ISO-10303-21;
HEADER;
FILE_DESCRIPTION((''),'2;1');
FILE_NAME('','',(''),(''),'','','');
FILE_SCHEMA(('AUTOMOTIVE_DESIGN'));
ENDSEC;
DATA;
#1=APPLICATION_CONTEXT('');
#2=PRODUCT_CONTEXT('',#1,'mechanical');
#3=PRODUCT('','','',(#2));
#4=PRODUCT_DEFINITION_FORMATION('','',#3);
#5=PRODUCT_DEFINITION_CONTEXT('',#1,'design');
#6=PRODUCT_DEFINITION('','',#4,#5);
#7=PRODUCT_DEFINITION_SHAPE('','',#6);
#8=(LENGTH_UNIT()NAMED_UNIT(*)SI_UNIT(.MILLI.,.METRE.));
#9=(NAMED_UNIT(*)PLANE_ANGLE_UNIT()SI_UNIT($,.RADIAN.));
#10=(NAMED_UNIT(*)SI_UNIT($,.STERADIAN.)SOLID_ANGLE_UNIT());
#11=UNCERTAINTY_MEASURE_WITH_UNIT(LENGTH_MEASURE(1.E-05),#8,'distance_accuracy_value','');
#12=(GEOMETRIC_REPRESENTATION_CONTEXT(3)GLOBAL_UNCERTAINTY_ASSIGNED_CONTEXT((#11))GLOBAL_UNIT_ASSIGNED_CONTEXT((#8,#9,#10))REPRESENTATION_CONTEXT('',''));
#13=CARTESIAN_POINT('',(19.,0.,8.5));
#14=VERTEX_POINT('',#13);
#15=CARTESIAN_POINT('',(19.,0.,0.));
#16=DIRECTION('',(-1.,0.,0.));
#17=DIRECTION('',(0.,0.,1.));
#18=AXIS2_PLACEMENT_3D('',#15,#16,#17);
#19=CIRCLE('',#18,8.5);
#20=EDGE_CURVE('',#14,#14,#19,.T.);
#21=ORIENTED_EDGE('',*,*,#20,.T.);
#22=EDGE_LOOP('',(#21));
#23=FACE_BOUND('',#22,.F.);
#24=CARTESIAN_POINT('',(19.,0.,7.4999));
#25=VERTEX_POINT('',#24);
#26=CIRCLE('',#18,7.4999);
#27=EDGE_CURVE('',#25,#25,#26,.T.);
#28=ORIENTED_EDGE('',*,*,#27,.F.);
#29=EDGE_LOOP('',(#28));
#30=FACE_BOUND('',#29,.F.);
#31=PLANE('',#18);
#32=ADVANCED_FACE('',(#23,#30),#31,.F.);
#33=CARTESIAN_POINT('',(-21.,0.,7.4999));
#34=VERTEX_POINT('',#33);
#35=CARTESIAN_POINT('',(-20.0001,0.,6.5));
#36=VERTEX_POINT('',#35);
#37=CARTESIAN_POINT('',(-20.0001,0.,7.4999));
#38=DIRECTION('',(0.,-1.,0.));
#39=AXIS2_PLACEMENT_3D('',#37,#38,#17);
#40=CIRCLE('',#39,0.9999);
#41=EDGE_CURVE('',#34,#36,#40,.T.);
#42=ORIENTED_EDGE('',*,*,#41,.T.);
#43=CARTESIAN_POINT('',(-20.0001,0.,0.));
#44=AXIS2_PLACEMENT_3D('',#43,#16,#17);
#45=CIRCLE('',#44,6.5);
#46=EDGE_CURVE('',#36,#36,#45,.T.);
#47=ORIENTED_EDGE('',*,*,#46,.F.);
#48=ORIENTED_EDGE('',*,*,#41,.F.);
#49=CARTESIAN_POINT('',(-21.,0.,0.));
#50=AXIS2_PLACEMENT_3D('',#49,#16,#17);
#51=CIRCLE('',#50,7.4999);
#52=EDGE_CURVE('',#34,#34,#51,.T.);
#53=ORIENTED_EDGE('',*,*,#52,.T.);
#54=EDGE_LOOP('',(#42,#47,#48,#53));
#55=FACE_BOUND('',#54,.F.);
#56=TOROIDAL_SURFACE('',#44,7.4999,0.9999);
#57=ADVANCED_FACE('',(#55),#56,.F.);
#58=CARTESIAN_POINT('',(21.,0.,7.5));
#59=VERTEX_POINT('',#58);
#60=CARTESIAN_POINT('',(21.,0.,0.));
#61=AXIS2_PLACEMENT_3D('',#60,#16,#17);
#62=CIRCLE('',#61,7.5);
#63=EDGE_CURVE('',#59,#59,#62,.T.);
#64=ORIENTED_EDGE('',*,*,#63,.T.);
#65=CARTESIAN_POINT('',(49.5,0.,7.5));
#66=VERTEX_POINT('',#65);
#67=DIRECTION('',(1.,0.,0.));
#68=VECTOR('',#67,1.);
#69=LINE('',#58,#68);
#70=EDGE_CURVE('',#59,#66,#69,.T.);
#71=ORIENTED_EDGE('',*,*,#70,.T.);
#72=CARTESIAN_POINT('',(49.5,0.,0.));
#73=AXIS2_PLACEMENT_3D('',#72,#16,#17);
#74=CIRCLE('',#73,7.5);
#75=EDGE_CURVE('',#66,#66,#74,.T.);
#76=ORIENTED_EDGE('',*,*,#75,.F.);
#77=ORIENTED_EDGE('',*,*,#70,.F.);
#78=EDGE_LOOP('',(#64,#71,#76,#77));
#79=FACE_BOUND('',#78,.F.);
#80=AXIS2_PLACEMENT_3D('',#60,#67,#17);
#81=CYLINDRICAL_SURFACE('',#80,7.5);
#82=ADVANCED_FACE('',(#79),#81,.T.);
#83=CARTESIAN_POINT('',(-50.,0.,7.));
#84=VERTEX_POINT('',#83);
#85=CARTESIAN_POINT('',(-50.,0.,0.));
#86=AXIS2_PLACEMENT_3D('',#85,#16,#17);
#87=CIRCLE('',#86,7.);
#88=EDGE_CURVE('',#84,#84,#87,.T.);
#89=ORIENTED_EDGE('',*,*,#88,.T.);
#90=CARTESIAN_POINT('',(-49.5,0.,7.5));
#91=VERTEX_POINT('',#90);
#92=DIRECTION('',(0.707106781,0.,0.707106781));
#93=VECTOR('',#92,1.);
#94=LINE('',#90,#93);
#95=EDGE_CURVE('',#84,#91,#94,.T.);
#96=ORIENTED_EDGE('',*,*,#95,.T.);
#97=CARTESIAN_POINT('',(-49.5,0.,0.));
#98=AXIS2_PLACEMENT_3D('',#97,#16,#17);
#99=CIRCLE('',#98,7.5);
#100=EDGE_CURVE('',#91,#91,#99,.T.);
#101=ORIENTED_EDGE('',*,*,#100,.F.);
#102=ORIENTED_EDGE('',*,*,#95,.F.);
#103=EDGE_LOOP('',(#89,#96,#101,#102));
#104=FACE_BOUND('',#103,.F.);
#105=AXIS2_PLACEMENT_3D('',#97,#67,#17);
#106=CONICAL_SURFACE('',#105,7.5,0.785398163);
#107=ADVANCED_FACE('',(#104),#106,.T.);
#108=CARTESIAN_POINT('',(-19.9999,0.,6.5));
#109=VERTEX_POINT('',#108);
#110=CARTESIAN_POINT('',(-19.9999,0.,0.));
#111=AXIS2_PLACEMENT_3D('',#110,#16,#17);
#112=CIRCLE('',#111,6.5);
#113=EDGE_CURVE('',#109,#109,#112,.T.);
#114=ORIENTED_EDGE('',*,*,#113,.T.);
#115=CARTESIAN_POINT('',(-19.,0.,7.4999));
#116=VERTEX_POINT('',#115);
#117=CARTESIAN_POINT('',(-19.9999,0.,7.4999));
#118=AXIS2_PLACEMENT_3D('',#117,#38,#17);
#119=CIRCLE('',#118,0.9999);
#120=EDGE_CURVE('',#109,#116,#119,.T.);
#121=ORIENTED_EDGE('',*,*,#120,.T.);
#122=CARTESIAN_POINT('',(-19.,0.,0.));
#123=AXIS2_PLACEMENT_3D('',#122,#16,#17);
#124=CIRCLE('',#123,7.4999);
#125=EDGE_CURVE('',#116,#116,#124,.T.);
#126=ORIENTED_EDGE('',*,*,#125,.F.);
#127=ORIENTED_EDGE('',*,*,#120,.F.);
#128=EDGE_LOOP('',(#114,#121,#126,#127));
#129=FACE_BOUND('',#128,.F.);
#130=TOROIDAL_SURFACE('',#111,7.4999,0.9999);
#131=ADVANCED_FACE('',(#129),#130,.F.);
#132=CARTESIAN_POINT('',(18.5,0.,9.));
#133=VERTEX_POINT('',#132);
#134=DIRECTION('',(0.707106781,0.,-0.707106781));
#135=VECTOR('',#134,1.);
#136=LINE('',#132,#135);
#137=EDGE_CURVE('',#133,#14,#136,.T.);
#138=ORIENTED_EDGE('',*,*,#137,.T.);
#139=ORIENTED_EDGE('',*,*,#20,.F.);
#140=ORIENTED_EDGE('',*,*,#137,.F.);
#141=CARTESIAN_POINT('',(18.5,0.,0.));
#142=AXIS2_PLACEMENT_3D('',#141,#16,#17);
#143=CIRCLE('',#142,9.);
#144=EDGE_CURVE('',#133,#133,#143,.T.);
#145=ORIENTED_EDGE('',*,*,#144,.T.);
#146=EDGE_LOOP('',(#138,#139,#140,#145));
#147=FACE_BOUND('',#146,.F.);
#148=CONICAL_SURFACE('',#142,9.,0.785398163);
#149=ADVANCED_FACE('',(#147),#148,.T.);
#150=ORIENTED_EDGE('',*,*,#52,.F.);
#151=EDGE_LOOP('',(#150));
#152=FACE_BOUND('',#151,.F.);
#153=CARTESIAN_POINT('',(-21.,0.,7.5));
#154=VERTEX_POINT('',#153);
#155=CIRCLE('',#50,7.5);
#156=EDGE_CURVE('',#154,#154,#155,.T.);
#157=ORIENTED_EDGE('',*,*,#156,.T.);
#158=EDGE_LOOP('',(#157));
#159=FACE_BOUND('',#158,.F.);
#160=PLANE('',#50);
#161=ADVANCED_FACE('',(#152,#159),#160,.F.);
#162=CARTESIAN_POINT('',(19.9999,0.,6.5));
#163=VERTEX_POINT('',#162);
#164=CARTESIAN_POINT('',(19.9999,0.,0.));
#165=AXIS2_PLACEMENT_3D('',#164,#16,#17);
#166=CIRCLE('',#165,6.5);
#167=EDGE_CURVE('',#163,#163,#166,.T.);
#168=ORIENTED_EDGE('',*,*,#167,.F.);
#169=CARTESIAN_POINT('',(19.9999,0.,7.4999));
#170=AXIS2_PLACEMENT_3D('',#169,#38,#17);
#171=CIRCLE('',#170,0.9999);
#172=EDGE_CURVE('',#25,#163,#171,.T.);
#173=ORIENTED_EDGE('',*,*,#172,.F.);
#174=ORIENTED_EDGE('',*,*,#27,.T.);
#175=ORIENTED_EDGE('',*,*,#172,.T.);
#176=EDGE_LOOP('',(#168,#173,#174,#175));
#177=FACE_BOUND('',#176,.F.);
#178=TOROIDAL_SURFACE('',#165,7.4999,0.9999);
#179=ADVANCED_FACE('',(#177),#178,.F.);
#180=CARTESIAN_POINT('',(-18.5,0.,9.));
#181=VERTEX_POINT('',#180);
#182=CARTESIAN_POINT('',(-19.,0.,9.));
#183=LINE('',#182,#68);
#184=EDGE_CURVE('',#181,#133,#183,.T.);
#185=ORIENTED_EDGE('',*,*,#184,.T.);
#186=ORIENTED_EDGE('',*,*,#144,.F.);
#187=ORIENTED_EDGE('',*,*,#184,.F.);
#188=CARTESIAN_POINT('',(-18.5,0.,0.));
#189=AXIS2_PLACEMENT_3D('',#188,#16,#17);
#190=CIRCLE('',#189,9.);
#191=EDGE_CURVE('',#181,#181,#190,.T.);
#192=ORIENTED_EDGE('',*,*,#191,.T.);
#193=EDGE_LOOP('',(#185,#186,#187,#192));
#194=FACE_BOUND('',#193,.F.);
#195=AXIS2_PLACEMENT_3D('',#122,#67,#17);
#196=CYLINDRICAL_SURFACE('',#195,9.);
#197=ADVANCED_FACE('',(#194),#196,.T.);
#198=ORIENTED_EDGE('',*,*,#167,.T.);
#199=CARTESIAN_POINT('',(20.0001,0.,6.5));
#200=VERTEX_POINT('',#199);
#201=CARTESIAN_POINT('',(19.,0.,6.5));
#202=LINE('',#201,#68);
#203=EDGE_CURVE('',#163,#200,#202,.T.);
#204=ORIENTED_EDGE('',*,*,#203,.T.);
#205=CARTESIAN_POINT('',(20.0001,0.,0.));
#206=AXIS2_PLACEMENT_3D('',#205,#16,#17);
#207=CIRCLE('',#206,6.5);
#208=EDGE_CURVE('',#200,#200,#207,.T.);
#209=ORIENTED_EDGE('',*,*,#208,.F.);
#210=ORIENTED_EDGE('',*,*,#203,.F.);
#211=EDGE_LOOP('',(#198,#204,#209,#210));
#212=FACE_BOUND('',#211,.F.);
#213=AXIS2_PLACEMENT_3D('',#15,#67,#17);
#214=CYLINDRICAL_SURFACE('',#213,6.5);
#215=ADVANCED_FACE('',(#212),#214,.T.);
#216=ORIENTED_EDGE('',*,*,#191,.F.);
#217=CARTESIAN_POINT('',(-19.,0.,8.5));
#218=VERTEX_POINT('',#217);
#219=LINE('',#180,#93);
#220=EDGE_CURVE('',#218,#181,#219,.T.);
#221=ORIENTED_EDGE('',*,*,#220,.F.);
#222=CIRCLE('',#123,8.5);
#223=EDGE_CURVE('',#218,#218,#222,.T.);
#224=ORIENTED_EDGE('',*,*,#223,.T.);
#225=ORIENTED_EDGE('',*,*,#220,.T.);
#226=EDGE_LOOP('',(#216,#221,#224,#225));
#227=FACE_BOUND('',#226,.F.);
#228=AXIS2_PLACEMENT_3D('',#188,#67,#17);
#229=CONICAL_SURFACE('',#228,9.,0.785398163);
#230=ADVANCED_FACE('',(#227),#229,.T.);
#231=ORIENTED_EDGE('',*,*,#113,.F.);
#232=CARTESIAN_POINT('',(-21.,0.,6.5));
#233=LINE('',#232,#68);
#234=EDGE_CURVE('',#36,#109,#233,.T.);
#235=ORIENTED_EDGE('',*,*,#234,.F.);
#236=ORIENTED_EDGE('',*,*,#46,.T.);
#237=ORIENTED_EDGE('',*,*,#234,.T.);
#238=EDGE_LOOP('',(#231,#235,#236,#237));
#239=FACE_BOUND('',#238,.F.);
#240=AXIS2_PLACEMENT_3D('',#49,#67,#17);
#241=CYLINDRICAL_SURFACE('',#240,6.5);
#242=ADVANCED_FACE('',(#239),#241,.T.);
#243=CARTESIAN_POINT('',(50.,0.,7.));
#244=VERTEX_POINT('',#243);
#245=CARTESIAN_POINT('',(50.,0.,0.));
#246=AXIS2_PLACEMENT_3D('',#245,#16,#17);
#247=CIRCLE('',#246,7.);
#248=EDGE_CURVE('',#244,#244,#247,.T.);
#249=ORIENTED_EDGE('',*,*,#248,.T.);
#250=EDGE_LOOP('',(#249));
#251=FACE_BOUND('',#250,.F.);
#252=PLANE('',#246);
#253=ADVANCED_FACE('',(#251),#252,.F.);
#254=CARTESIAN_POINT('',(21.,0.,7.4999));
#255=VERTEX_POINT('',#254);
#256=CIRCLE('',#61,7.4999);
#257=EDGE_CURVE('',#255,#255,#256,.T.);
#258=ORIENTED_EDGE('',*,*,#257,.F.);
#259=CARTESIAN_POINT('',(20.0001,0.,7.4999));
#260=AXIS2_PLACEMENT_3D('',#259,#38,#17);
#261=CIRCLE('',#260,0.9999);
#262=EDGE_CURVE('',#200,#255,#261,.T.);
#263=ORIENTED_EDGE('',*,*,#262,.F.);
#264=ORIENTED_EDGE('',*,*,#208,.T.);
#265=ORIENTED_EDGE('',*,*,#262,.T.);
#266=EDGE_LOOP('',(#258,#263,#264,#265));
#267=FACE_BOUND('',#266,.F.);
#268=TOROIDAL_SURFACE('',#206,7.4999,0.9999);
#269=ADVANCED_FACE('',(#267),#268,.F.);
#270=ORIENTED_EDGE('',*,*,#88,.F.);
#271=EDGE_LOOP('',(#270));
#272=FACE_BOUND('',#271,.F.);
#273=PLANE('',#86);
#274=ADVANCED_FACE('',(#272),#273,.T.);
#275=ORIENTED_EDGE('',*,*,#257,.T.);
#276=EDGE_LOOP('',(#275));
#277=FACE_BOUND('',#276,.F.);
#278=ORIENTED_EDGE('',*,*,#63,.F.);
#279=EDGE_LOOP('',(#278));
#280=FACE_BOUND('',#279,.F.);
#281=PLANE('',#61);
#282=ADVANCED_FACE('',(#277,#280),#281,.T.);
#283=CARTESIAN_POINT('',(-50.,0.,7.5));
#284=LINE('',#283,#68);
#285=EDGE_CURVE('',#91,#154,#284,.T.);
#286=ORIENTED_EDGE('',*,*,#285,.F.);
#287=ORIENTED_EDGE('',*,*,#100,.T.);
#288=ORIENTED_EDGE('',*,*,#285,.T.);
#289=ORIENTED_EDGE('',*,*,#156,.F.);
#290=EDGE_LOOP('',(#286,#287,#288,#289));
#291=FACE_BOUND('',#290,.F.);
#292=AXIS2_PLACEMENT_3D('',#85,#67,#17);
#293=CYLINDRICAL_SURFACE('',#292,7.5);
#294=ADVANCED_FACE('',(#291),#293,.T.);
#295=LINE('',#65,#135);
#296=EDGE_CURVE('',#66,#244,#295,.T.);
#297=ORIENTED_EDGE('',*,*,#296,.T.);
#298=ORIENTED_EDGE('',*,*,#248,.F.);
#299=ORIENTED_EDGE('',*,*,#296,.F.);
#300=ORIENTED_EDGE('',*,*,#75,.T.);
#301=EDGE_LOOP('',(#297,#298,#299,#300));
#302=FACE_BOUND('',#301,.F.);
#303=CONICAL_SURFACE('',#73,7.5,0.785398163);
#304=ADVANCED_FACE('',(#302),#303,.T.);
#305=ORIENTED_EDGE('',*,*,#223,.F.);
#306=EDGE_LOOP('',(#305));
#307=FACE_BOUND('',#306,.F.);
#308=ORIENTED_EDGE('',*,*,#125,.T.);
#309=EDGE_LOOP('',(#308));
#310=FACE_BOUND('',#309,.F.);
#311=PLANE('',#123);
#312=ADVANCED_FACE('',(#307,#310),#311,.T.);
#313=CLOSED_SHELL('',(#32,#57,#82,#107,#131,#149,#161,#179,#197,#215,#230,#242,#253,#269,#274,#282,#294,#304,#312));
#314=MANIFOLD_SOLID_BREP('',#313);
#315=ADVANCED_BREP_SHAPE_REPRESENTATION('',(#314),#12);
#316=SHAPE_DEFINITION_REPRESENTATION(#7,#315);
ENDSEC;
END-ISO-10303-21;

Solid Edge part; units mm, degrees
sketch "Sketch1" plane through (0, 0, 0) normal (0, -1, 0) x (1, 0, 0)
  line L0 (-50, 0) -> (-50, 7.5)
  line L1 (-50, 7.5) -> (-21, 7.5)
  line L2 (-21, 7.5) -> (-21, 6.5)
  line L3 (-21, 6.5) -> (-19, 6.5)
  line L4 (-19, 6.5) -> (-19, 9)
  line L5 (-19, 9) -> (19, 9)
  line L6 (19, 9) -> (19, 6.5)
  line L7 (19, 6.5) -> (21, 6.5)
  line L8 (21, 6.5) -> (21, 7.5)
  line L9 (21, 7.5) -> (50, 7.5)
  line L10 (50, 7.5) -> (50, 0)
  dimension "D1" = 100
  dimension "D2" = 38
  dimension "D3" = 2
revolve "RevolvedProtrusion1" add sketch "Sketch1" angle 360 about axis through (50, 0, 0) along (-1, 0, 0)
chamfer "Chamfer1" distance 0.5 angle 45 4 edges at (-50, 0, -7.5) (50, 0, -7.5) (-19, 0, -9) (19, 0, -9)
fillet "Round_1" radius 1 4 edges at (-21, 0, -6.5) (-19, 0, -6.5) (19, 0, -6.5) (21, 0, -6.5)
properties material "AlSi7Mg"
